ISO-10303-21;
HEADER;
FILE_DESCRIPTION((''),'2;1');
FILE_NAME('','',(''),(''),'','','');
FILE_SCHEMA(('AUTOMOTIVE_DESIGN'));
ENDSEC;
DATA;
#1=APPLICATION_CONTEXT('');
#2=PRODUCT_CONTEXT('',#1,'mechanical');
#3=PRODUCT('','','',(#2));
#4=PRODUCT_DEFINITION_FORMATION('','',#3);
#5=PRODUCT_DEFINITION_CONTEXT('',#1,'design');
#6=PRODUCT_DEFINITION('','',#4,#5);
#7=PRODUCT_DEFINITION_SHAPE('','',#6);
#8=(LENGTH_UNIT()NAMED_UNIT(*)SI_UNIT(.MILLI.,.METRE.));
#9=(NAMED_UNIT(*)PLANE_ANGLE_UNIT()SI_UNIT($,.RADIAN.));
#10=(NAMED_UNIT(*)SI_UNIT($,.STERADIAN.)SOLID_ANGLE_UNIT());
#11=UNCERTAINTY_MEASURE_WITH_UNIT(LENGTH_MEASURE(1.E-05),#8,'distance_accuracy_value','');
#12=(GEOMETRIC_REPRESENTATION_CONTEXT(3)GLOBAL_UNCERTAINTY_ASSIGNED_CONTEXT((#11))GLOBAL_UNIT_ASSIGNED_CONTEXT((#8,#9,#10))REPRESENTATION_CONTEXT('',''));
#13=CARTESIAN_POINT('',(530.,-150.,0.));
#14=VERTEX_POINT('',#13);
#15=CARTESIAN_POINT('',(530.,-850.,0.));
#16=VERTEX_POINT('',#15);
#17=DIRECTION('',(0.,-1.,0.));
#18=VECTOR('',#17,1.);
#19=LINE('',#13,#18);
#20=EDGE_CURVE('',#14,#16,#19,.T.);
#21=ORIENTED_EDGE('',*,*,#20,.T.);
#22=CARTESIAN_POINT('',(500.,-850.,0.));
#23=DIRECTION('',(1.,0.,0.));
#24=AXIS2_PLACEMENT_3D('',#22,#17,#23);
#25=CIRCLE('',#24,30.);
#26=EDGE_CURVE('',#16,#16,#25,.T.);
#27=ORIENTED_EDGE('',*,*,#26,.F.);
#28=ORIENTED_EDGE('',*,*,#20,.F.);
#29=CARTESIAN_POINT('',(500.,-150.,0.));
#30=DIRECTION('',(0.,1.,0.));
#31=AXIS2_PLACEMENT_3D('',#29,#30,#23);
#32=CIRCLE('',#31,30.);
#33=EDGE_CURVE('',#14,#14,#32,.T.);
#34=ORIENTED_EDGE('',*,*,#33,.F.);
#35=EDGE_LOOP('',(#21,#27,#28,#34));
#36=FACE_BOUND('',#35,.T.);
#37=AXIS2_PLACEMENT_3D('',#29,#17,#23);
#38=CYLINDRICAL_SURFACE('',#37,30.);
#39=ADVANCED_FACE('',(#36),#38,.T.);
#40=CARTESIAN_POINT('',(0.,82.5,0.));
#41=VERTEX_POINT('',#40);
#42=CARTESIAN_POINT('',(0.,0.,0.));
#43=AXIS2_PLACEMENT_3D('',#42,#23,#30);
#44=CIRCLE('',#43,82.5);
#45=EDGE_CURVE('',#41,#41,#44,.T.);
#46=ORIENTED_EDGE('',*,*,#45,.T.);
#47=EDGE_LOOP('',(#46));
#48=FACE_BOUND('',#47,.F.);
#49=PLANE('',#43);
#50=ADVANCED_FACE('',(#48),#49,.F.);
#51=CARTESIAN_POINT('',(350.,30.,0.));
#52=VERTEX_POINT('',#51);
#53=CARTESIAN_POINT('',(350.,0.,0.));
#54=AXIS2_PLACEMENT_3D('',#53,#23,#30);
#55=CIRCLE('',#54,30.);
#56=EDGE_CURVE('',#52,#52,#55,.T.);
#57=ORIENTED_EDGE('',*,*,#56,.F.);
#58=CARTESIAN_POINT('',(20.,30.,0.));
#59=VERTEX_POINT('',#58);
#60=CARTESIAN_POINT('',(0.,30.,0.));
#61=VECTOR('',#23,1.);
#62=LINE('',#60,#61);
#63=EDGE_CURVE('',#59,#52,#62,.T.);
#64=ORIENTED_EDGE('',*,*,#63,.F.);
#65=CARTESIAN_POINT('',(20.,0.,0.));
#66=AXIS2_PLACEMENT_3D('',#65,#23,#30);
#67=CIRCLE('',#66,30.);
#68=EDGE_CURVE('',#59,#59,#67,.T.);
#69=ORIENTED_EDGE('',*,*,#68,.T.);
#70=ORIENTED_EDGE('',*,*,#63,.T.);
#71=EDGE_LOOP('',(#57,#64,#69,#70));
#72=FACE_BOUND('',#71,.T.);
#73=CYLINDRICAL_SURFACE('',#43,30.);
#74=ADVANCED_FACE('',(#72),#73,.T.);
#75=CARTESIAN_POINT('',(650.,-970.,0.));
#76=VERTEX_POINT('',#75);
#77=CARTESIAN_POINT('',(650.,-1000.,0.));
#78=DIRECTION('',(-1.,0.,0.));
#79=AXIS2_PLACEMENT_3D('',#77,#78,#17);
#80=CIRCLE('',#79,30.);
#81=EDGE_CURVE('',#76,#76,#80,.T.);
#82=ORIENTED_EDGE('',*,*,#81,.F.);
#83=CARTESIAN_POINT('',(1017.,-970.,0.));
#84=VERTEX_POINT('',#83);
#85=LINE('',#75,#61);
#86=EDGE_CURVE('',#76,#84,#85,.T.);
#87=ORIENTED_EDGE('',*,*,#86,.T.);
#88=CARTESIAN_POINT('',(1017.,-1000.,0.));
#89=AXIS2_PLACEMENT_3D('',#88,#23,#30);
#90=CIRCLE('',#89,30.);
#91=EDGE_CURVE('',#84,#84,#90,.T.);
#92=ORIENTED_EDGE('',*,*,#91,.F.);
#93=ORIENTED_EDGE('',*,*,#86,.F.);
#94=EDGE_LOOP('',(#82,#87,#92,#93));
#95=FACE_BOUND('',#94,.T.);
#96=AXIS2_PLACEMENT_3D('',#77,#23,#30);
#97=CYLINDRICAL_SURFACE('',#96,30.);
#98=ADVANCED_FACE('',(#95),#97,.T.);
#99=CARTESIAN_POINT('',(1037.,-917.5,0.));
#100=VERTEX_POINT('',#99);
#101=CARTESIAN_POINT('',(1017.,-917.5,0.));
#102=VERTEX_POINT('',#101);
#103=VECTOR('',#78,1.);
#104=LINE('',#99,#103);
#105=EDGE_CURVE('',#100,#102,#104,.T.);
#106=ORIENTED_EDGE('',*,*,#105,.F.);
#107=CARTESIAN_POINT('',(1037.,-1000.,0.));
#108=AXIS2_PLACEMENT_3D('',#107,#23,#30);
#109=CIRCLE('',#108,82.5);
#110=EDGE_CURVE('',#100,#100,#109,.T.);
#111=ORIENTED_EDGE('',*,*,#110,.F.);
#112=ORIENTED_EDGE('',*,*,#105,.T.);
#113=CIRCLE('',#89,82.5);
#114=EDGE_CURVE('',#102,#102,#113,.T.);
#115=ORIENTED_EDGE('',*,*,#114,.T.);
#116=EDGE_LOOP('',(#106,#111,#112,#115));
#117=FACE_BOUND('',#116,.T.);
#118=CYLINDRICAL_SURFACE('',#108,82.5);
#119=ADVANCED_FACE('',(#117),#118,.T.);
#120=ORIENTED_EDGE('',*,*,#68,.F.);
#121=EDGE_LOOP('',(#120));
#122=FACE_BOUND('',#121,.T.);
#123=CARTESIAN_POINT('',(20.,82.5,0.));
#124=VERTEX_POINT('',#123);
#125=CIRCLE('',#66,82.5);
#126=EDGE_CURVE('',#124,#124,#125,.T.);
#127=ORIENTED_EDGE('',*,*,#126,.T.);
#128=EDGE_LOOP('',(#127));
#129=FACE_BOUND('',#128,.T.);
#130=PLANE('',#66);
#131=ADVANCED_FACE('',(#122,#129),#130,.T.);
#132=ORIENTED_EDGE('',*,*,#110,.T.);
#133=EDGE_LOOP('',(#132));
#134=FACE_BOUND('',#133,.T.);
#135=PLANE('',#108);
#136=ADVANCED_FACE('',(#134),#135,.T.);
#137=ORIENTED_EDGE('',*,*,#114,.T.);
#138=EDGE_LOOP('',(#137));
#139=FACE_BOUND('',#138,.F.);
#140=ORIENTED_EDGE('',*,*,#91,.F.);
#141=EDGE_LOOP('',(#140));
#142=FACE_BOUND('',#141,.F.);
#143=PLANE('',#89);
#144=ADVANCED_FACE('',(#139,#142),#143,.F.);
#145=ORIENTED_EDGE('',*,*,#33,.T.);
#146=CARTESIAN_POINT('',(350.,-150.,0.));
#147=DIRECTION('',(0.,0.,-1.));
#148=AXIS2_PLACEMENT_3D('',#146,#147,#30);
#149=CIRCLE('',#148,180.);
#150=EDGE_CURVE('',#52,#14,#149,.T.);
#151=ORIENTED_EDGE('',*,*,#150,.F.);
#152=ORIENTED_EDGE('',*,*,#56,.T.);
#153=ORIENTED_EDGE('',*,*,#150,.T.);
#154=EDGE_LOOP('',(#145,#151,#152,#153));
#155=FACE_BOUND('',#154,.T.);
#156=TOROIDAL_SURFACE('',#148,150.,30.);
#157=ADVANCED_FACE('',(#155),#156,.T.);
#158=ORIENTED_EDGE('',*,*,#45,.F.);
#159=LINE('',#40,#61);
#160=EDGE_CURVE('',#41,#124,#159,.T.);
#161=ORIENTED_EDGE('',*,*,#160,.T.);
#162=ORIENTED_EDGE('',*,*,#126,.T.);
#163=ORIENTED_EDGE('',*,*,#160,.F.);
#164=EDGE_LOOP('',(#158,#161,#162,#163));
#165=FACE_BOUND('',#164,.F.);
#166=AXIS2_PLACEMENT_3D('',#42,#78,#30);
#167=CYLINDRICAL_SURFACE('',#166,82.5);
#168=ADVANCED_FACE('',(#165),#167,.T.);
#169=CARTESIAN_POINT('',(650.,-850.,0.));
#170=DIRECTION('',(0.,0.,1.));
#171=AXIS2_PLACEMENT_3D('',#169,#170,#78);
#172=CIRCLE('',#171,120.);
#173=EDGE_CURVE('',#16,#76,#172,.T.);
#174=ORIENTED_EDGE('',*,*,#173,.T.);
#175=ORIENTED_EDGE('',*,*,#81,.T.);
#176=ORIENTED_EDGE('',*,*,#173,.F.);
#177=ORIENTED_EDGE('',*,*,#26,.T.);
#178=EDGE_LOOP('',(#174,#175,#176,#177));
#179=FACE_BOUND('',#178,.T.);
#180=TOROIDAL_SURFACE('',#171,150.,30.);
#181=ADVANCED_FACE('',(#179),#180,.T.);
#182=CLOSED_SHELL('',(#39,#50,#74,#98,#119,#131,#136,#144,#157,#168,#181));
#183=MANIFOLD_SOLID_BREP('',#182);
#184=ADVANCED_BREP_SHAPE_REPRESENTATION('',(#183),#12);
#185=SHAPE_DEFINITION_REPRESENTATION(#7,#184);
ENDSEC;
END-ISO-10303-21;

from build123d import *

# Parameters (mm, degrees)
F1_R     = 30
F1_R_2   = 82.5
F3_DEPTH = 20
F4_R     = 82.5
F4_R_2   = 30
F5_DEPTH = 20


with BuildPart() as f2:
    # F2: sweep along a path in F0
    with BuildLine(Plane.XY) as f2_path:
        Line((0, 0), (350, 0))
        ThreePointArc((350, 0), (456.066017178, -43.933982822), (500, -150))
        Line((500, -150), (500, -850))
        ThreePointArc((500, -850), (543.933982822, -956.066017178), (650, -1000))
        Line((650, -1000), (1037, -1000))
    # F1 (on Right) → F2 (sweep)
    with BuildSketch(Plane.YZ):
        Circle(F1_R)
    sweep(path=f2_path.line)

    # F1 (on Right) → F3 (join)
    with BuildSketch(Plane.YZ):
        Circle(F1_R_2)
        Circle(F1_R, mode=Mode.SUBTRACT)
    extrude(amount=F3_DEPTH)

    # F4 (on face) → F5 (join)
    with BuildSketch(Plane.YZ.offset(1037)):
        with Locations((-1000, 0)):
            Circle(F4_R)
        with Locations((-1000, 0)):
            Circle(F4_R_2, mode=Mode.SUBTRACT)
    extrude(amount=-F5_DEPTH)


solid = f2.part
